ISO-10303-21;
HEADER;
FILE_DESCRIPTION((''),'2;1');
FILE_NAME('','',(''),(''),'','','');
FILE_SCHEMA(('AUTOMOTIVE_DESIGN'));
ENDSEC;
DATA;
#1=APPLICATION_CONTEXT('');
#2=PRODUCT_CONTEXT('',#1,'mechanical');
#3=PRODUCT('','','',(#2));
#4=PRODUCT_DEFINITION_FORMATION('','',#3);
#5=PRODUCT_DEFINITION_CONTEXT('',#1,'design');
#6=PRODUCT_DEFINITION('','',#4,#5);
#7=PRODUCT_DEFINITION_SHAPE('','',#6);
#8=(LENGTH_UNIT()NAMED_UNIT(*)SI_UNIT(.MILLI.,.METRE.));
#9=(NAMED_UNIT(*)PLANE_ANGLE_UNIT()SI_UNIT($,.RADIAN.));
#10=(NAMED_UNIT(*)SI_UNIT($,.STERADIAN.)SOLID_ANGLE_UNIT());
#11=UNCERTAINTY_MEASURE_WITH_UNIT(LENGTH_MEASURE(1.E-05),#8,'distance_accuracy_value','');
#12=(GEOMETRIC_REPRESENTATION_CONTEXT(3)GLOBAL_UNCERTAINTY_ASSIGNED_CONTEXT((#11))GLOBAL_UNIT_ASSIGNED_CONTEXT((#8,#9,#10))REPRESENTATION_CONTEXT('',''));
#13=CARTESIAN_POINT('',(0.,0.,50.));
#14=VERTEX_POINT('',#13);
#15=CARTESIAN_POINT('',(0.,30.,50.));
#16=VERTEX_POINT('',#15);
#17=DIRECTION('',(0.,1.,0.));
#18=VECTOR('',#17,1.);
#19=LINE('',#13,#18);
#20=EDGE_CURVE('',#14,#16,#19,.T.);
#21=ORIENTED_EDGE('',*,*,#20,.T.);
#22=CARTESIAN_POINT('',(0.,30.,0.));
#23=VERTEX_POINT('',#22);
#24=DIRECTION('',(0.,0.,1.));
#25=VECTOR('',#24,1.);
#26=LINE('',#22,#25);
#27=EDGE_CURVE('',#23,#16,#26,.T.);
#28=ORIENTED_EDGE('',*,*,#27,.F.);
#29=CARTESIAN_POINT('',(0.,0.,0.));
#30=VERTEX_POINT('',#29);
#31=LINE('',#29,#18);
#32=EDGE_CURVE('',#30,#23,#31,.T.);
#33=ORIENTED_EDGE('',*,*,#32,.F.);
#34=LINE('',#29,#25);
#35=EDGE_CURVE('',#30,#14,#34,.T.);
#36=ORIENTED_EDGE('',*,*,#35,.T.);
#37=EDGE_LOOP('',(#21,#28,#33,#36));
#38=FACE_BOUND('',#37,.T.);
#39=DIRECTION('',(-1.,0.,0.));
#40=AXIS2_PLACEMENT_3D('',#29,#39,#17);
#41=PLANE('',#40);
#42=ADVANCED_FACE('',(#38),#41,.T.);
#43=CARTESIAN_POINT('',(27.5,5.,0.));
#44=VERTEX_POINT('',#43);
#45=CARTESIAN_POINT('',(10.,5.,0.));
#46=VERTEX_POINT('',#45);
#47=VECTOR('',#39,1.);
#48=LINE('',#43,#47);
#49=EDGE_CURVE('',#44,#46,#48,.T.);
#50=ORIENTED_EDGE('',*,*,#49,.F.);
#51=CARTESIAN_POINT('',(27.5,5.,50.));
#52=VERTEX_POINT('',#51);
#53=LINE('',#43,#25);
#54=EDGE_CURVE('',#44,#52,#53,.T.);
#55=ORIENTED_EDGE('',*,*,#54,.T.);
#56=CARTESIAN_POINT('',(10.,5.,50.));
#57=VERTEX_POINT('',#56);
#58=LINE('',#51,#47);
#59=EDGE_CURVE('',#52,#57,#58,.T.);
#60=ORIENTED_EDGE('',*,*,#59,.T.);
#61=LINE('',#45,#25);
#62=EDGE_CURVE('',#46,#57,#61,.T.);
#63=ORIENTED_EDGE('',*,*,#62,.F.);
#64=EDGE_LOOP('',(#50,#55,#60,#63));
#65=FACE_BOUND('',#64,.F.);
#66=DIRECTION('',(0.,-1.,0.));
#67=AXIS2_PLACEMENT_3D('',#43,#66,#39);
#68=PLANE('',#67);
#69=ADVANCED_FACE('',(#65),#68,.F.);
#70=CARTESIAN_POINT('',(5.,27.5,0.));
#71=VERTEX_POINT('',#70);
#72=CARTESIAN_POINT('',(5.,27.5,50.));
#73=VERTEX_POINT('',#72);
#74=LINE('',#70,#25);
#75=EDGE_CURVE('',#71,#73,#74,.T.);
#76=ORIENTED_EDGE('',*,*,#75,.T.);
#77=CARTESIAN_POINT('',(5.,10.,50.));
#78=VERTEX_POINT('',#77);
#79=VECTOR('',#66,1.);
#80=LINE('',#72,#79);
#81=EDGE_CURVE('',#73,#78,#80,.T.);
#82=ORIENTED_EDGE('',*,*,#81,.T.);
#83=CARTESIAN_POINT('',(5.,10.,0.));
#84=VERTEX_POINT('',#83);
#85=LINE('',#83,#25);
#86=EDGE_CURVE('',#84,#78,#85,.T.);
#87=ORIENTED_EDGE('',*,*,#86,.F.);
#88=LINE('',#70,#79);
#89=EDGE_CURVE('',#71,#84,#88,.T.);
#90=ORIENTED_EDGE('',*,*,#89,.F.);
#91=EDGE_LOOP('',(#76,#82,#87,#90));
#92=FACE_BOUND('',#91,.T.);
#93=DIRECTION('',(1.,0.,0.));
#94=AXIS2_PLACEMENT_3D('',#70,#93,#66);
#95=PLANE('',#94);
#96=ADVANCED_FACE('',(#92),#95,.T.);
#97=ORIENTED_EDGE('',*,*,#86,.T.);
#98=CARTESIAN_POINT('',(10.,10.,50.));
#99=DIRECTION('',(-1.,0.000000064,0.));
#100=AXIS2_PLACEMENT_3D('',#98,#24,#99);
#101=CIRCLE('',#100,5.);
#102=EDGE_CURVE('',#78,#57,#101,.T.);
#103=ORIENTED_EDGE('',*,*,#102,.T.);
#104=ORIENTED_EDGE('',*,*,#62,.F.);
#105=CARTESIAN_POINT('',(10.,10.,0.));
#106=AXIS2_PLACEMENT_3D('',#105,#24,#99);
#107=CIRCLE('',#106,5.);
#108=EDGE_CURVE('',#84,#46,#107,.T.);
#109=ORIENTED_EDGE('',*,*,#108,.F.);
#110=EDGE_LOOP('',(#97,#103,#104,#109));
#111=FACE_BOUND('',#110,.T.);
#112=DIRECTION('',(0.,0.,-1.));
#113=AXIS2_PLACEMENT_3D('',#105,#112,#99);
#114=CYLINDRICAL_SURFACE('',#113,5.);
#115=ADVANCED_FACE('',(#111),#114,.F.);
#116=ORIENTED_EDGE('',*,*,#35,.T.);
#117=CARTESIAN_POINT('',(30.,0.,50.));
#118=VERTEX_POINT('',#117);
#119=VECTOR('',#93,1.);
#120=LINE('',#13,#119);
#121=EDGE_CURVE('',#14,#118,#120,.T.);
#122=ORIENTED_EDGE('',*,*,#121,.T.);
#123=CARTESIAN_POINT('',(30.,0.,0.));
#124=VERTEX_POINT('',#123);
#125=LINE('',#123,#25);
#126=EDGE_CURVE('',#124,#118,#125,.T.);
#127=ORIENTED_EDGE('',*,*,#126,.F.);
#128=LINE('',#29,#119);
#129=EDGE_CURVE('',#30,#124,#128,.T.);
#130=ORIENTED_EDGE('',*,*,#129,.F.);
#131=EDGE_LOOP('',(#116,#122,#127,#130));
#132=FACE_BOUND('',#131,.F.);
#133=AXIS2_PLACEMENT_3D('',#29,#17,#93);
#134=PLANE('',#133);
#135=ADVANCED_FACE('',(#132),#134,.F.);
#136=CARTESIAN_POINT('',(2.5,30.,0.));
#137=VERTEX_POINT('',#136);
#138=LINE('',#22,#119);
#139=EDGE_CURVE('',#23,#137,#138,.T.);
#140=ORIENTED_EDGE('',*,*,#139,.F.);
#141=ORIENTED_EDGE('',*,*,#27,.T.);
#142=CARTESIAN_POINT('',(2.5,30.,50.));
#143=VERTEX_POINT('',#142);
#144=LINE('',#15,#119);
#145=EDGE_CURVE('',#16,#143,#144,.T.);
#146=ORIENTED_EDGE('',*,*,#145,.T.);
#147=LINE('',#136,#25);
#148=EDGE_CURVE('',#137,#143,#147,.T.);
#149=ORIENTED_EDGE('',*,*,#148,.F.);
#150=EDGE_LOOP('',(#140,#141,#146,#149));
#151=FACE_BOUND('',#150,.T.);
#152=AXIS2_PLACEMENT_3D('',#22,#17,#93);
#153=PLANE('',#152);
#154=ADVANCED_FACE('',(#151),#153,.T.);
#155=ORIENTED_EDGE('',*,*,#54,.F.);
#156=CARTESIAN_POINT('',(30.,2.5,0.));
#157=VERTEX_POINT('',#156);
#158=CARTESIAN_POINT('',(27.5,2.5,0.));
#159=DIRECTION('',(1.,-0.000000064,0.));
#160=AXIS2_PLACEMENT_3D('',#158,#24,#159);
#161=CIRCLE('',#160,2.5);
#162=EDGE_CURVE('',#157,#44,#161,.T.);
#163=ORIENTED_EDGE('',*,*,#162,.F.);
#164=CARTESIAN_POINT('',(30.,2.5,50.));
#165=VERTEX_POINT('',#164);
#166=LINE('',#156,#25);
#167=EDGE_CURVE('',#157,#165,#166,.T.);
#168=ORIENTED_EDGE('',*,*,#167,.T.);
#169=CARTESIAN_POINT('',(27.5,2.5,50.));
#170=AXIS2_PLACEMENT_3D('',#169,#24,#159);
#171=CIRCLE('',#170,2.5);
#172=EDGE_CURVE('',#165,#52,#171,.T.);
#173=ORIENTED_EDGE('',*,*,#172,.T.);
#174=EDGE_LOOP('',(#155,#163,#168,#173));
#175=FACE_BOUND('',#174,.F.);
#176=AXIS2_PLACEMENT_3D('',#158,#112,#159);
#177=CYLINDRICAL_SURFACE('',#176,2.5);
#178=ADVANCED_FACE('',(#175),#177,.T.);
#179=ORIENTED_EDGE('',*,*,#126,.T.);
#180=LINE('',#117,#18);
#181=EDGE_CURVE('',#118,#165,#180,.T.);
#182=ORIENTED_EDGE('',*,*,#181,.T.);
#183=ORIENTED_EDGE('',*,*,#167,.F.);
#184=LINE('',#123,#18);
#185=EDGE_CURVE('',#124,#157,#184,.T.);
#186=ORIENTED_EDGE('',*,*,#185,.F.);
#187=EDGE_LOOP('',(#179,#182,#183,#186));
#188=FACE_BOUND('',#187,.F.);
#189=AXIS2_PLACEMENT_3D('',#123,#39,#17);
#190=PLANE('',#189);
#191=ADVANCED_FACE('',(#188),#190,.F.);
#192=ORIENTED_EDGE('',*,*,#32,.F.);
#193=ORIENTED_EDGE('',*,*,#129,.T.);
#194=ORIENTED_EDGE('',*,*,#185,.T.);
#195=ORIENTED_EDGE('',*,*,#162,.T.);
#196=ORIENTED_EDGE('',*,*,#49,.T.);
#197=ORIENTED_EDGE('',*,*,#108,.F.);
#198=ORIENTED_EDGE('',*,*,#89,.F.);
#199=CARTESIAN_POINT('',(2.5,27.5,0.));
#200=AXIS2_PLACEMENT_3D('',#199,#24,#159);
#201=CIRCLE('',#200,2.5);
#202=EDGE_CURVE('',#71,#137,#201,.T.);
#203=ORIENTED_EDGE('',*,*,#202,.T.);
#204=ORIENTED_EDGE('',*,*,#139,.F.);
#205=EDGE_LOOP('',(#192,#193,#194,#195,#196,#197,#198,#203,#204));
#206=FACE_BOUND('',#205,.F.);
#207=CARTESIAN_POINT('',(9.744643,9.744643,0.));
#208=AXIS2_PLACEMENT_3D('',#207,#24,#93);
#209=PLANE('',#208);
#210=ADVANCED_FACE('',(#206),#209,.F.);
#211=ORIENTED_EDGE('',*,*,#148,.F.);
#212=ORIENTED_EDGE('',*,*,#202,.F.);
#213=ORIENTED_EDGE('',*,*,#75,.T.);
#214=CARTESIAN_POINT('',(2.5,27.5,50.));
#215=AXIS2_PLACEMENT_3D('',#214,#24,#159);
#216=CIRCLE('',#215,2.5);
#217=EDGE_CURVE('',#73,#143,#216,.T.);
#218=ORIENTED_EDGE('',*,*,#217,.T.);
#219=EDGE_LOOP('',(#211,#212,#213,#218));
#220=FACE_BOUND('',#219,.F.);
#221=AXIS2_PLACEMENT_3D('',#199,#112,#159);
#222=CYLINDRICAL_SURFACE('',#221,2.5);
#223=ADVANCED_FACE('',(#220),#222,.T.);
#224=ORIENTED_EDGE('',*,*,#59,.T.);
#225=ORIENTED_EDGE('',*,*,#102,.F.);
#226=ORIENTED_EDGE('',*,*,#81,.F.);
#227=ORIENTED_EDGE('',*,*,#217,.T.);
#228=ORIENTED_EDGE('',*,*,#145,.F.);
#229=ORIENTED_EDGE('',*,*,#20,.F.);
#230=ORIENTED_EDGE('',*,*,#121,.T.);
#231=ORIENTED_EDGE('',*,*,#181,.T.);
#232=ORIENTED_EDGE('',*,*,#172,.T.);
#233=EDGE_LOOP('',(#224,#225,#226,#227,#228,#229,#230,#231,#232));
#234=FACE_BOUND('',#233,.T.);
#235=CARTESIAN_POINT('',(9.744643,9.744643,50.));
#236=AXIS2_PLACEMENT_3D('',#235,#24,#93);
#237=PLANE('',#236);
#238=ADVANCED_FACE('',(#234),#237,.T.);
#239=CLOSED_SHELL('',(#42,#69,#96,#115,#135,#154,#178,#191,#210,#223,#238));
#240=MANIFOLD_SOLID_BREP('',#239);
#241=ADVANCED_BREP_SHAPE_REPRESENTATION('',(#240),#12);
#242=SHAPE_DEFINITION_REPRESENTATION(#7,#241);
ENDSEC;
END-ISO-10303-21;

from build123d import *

# Parameters (mm, degrees)
EXTRUDE_DEPTH = 50


with BuildPart() as part:
    # Sketch → Extrude (new body)
    with BuildSketch(Plane.XY):
        with BuildLine():
            Line((0, 0), (30, 0))
            Line((30, 0), (30, 2.5))
            ThreePointArc((30, 2.5), (29.267767, 4.267767), (27.5, 5))
            Line((27.5, 5), (10, 5))
            ThreePointArc((5, 10), (6.464466, 6.464466), (10, 5))
            Line((5, 27.5), (5, 10))
            ThreePointArc((5, 27.5), (4.267767, 29.267767), (2.5, 30))
            Line((0, 30), (2.5, 30))
            Line((0, 0), (0, 30))
        make_face()
    extrude(amount=EXTRUDE_DEPTH)


solid = part.part
